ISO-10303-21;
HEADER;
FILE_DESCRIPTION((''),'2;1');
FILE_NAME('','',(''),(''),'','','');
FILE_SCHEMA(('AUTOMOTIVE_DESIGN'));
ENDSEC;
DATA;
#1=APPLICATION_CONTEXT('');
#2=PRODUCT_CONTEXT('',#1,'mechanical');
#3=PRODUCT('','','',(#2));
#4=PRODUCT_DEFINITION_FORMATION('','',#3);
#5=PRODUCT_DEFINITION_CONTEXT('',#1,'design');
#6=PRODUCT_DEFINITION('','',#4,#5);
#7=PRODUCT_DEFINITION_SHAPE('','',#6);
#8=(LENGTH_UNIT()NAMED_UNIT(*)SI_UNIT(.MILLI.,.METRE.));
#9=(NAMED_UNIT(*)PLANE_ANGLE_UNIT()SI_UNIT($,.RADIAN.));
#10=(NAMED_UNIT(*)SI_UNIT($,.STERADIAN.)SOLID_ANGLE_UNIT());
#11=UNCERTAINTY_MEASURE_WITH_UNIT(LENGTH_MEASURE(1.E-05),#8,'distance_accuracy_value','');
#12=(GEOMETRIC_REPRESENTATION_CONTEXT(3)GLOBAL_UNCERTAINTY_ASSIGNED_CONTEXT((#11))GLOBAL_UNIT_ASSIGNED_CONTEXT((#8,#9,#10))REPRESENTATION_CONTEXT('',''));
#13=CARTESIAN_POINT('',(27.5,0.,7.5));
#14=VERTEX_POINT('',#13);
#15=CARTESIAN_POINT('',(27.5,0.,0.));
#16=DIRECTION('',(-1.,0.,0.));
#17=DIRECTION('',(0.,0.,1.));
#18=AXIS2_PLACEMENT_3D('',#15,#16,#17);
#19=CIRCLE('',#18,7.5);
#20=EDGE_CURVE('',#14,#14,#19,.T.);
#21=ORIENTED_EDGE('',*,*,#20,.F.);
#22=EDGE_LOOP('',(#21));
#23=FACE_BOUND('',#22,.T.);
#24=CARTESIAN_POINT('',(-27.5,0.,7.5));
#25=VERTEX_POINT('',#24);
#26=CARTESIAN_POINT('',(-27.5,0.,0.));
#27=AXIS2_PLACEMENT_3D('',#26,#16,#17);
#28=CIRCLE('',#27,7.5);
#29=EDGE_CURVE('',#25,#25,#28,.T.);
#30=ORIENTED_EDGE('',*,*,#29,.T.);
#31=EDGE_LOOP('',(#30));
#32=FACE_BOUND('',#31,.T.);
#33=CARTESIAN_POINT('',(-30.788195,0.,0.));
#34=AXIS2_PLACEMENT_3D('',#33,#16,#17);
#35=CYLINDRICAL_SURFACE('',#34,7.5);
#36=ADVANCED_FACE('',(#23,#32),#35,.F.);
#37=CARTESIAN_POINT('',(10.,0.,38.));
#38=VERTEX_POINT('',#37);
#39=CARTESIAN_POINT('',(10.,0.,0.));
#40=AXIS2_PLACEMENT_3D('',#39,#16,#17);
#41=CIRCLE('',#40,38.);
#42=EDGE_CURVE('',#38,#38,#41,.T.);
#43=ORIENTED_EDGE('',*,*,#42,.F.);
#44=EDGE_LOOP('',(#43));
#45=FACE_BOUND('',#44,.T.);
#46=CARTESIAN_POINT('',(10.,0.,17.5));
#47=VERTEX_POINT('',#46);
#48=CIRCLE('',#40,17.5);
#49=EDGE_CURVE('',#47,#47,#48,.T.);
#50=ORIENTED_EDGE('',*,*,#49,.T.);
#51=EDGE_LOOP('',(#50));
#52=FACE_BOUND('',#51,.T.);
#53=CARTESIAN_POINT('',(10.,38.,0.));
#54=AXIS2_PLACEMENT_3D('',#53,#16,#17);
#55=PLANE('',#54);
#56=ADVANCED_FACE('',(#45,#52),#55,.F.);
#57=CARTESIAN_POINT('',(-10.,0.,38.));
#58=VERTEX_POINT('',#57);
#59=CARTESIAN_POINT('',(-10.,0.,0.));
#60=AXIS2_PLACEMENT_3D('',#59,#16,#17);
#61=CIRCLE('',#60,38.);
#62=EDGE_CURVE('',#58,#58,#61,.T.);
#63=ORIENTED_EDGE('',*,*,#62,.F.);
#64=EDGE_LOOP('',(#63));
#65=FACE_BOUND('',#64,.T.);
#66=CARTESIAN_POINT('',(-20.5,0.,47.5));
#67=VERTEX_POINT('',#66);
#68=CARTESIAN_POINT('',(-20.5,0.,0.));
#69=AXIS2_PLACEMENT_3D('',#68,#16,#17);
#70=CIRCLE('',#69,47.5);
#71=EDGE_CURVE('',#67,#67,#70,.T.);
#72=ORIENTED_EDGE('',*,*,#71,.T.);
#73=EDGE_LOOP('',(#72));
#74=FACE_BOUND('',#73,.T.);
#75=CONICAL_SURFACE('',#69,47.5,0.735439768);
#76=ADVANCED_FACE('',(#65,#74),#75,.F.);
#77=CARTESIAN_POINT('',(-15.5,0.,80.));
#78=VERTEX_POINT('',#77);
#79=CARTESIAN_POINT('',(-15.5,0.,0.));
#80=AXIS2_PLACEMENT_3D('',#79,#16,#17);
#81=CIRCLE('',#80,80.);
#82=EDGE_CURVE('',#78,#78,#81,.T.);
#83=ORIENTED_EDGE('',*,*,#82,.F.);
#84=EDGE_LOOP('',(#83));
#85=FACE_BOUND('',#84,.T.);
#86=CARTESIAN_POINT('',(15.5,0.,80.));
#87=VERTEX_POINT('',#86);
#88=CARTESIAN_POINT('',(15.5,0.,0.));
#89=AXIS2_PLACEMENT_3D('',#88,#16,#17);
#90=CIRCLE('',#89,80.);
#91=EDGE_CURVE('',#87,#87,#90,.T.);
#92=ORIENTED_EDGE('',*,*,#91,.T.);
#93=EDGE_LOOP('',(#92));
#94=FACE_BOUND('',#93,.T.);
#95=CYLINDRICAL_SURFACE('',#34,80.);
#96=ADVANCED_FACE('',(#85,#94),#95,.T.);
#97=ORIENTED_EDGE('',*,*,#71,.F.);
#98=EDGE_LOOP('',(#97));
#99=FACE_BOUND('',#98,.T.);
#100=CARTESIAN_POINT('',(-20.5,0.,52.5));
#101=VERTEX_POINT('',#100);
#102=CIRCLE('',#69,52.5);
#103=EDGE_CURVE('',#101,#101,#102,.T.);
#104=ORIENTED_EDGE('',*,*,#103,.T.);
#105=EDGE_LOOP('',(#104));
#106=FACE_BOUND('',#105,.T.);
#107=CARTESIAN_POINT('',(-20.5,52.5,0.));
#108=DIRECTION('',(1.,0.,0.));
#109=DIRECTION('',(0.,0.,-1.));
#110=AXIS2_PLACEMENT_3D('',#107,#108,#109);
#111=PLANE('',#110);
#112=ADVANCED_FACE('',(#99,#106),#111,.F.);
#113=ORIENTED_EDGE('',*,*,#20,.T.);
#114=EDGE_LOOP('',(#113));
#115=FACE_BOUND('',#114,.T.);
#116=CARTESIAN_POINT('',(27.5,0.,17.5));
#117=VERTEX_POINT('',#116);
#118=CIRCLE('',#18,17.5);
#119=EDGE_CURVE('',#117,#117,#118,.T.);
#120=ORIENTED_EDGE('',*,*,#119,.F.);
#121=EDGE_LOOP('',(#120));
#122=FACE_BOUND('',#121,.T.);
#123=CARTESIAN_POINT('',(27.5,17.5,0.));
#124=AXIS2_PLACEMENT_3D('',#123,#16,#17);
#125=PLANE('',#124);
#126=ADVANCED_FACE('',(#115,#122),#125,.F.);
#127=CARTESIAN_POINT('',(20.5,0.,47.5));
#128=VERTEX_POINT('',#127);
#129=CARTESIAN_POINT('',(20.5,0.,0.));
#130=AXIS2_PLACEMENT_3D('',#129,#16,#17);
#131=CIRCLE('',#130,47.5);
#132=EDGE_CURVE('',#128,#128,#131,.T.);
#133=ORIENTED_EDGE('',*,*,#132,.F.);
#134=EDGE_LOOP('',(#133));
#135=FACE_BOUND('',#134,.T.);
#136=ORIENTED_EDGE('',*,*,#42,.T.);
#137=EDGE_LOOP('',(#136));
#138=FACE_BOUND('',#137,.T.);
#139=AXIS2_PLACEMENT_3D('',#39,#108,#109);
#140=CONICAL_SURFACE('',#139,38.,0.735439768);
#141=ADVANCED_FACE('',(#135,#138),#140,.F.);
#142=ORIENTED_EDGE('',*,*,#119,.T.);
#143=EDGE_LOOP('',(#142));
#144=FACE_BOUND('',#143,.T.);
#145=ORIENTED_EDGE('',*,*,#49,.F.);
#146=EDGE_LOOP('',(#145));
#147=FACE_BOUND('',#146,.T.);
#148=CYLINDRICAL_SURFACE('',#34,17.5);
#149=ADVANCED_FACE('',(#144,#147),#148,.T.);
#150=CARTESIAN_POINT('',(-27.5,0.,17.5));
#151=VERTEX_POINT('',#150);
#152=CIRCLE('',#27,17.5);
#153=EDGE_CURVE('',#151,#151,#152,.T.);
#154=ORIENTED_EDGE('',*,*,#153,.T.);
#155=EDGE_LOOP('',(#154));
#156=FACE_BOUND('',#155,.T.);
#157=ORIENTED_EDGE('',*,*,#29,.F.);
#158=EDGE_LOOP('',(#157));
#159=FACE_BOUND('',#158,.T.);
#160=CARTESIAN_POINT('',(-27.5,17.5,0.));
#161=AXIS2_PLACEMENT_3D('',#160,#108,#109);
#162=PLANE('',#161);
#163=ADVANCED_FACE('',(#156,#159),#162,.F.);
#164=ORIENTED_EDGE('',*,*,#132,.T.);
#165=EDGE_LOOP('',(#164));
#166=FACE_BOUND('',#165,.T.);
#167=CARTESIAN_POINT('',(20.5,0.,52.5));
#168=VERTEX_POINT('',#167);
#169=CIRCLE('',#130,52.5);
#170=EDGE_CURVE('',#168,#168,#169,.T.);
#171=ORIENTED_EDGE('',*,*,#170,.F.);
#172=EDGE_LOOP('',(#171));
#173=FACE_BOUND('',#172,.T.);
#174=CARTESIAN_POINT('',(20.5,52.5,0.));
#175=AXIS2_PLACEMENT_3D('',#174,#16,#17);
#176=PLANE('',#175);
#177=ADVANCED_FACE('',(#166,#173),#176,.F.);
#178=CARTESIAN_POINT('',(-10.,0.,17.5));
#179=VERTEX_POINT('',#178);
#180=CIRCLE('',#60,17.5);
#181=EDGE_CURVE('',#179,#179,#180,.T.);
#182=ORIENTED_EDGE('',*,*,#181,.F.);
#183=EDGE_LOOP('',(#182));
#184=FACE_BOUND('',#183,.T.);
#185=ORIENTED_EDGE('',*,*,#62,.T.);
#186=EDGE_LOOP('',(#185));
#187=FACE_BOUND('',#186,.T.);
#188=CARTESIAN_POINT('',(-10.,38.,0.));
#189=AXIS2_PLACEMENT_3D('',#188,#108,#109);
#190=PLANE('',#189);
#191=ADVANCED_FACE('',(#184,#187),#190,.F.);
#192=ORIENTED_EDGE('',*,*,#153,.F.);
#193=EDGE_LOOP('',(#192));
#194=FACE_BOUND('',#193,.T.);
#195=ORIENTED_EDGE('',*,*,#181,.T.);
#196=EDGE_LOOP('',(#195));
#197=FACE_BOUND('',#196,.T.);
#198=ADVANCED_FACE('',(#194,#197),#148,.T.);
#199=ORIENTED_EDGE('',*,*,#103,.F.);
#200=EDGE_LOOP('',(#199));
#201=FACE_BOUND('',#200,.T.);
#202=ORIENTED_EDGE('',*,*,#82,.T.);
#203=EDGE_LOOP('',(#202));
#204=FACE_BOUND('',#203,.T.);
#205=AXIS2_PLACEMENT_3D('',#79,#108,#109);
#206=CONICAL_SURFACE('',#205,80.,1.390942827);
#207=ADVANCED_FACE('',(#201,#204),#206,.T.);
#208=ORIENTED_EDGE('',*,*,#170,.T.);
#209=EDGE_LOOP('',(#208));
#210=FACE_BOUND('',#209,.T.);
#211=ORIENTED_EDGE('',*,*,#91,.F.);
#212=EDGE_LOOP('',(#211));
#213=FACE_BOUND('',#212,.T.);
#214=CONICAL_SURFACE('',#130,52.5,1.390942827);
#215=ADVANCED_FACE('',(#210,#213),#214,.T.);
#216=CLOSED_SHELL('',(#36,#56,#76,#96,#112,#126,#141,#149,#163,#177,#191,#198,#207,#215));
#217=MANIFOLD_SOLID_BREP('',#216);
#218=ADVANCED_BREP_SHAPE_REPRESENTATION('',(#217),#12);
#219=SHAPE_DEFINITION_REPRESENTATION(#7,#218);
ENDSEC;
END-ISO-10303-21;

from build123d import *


with BuildPart() as part:
    # Croquis1 → Revolución1 (revolve)
    with BuildSketch(Plane.XY, mode=Mode.PRIVATE) as revoluci_n1_sk:
        Polygon((-15.5, 80), (15.5, 80), (20.5, 52.5), (20.5, 47.5), (10, 38), (10, 17.5), (27.5, 17.5), (27.5, 7.5), (-27.5, 7.5), (-27.5, 17.5), (-10, 17.5), (-10, 38), (-20.5, 47.5), (-20.5, 52.5), align=None)
    revolve(revoluci_n1_sk.sketch.rotate(Axis((-30.788195212, 0, 0), (1, 0, 0)), 90), axis=Axis((-30.788195212, 0, 0), (1, 0, 0)))


solid = part.part
